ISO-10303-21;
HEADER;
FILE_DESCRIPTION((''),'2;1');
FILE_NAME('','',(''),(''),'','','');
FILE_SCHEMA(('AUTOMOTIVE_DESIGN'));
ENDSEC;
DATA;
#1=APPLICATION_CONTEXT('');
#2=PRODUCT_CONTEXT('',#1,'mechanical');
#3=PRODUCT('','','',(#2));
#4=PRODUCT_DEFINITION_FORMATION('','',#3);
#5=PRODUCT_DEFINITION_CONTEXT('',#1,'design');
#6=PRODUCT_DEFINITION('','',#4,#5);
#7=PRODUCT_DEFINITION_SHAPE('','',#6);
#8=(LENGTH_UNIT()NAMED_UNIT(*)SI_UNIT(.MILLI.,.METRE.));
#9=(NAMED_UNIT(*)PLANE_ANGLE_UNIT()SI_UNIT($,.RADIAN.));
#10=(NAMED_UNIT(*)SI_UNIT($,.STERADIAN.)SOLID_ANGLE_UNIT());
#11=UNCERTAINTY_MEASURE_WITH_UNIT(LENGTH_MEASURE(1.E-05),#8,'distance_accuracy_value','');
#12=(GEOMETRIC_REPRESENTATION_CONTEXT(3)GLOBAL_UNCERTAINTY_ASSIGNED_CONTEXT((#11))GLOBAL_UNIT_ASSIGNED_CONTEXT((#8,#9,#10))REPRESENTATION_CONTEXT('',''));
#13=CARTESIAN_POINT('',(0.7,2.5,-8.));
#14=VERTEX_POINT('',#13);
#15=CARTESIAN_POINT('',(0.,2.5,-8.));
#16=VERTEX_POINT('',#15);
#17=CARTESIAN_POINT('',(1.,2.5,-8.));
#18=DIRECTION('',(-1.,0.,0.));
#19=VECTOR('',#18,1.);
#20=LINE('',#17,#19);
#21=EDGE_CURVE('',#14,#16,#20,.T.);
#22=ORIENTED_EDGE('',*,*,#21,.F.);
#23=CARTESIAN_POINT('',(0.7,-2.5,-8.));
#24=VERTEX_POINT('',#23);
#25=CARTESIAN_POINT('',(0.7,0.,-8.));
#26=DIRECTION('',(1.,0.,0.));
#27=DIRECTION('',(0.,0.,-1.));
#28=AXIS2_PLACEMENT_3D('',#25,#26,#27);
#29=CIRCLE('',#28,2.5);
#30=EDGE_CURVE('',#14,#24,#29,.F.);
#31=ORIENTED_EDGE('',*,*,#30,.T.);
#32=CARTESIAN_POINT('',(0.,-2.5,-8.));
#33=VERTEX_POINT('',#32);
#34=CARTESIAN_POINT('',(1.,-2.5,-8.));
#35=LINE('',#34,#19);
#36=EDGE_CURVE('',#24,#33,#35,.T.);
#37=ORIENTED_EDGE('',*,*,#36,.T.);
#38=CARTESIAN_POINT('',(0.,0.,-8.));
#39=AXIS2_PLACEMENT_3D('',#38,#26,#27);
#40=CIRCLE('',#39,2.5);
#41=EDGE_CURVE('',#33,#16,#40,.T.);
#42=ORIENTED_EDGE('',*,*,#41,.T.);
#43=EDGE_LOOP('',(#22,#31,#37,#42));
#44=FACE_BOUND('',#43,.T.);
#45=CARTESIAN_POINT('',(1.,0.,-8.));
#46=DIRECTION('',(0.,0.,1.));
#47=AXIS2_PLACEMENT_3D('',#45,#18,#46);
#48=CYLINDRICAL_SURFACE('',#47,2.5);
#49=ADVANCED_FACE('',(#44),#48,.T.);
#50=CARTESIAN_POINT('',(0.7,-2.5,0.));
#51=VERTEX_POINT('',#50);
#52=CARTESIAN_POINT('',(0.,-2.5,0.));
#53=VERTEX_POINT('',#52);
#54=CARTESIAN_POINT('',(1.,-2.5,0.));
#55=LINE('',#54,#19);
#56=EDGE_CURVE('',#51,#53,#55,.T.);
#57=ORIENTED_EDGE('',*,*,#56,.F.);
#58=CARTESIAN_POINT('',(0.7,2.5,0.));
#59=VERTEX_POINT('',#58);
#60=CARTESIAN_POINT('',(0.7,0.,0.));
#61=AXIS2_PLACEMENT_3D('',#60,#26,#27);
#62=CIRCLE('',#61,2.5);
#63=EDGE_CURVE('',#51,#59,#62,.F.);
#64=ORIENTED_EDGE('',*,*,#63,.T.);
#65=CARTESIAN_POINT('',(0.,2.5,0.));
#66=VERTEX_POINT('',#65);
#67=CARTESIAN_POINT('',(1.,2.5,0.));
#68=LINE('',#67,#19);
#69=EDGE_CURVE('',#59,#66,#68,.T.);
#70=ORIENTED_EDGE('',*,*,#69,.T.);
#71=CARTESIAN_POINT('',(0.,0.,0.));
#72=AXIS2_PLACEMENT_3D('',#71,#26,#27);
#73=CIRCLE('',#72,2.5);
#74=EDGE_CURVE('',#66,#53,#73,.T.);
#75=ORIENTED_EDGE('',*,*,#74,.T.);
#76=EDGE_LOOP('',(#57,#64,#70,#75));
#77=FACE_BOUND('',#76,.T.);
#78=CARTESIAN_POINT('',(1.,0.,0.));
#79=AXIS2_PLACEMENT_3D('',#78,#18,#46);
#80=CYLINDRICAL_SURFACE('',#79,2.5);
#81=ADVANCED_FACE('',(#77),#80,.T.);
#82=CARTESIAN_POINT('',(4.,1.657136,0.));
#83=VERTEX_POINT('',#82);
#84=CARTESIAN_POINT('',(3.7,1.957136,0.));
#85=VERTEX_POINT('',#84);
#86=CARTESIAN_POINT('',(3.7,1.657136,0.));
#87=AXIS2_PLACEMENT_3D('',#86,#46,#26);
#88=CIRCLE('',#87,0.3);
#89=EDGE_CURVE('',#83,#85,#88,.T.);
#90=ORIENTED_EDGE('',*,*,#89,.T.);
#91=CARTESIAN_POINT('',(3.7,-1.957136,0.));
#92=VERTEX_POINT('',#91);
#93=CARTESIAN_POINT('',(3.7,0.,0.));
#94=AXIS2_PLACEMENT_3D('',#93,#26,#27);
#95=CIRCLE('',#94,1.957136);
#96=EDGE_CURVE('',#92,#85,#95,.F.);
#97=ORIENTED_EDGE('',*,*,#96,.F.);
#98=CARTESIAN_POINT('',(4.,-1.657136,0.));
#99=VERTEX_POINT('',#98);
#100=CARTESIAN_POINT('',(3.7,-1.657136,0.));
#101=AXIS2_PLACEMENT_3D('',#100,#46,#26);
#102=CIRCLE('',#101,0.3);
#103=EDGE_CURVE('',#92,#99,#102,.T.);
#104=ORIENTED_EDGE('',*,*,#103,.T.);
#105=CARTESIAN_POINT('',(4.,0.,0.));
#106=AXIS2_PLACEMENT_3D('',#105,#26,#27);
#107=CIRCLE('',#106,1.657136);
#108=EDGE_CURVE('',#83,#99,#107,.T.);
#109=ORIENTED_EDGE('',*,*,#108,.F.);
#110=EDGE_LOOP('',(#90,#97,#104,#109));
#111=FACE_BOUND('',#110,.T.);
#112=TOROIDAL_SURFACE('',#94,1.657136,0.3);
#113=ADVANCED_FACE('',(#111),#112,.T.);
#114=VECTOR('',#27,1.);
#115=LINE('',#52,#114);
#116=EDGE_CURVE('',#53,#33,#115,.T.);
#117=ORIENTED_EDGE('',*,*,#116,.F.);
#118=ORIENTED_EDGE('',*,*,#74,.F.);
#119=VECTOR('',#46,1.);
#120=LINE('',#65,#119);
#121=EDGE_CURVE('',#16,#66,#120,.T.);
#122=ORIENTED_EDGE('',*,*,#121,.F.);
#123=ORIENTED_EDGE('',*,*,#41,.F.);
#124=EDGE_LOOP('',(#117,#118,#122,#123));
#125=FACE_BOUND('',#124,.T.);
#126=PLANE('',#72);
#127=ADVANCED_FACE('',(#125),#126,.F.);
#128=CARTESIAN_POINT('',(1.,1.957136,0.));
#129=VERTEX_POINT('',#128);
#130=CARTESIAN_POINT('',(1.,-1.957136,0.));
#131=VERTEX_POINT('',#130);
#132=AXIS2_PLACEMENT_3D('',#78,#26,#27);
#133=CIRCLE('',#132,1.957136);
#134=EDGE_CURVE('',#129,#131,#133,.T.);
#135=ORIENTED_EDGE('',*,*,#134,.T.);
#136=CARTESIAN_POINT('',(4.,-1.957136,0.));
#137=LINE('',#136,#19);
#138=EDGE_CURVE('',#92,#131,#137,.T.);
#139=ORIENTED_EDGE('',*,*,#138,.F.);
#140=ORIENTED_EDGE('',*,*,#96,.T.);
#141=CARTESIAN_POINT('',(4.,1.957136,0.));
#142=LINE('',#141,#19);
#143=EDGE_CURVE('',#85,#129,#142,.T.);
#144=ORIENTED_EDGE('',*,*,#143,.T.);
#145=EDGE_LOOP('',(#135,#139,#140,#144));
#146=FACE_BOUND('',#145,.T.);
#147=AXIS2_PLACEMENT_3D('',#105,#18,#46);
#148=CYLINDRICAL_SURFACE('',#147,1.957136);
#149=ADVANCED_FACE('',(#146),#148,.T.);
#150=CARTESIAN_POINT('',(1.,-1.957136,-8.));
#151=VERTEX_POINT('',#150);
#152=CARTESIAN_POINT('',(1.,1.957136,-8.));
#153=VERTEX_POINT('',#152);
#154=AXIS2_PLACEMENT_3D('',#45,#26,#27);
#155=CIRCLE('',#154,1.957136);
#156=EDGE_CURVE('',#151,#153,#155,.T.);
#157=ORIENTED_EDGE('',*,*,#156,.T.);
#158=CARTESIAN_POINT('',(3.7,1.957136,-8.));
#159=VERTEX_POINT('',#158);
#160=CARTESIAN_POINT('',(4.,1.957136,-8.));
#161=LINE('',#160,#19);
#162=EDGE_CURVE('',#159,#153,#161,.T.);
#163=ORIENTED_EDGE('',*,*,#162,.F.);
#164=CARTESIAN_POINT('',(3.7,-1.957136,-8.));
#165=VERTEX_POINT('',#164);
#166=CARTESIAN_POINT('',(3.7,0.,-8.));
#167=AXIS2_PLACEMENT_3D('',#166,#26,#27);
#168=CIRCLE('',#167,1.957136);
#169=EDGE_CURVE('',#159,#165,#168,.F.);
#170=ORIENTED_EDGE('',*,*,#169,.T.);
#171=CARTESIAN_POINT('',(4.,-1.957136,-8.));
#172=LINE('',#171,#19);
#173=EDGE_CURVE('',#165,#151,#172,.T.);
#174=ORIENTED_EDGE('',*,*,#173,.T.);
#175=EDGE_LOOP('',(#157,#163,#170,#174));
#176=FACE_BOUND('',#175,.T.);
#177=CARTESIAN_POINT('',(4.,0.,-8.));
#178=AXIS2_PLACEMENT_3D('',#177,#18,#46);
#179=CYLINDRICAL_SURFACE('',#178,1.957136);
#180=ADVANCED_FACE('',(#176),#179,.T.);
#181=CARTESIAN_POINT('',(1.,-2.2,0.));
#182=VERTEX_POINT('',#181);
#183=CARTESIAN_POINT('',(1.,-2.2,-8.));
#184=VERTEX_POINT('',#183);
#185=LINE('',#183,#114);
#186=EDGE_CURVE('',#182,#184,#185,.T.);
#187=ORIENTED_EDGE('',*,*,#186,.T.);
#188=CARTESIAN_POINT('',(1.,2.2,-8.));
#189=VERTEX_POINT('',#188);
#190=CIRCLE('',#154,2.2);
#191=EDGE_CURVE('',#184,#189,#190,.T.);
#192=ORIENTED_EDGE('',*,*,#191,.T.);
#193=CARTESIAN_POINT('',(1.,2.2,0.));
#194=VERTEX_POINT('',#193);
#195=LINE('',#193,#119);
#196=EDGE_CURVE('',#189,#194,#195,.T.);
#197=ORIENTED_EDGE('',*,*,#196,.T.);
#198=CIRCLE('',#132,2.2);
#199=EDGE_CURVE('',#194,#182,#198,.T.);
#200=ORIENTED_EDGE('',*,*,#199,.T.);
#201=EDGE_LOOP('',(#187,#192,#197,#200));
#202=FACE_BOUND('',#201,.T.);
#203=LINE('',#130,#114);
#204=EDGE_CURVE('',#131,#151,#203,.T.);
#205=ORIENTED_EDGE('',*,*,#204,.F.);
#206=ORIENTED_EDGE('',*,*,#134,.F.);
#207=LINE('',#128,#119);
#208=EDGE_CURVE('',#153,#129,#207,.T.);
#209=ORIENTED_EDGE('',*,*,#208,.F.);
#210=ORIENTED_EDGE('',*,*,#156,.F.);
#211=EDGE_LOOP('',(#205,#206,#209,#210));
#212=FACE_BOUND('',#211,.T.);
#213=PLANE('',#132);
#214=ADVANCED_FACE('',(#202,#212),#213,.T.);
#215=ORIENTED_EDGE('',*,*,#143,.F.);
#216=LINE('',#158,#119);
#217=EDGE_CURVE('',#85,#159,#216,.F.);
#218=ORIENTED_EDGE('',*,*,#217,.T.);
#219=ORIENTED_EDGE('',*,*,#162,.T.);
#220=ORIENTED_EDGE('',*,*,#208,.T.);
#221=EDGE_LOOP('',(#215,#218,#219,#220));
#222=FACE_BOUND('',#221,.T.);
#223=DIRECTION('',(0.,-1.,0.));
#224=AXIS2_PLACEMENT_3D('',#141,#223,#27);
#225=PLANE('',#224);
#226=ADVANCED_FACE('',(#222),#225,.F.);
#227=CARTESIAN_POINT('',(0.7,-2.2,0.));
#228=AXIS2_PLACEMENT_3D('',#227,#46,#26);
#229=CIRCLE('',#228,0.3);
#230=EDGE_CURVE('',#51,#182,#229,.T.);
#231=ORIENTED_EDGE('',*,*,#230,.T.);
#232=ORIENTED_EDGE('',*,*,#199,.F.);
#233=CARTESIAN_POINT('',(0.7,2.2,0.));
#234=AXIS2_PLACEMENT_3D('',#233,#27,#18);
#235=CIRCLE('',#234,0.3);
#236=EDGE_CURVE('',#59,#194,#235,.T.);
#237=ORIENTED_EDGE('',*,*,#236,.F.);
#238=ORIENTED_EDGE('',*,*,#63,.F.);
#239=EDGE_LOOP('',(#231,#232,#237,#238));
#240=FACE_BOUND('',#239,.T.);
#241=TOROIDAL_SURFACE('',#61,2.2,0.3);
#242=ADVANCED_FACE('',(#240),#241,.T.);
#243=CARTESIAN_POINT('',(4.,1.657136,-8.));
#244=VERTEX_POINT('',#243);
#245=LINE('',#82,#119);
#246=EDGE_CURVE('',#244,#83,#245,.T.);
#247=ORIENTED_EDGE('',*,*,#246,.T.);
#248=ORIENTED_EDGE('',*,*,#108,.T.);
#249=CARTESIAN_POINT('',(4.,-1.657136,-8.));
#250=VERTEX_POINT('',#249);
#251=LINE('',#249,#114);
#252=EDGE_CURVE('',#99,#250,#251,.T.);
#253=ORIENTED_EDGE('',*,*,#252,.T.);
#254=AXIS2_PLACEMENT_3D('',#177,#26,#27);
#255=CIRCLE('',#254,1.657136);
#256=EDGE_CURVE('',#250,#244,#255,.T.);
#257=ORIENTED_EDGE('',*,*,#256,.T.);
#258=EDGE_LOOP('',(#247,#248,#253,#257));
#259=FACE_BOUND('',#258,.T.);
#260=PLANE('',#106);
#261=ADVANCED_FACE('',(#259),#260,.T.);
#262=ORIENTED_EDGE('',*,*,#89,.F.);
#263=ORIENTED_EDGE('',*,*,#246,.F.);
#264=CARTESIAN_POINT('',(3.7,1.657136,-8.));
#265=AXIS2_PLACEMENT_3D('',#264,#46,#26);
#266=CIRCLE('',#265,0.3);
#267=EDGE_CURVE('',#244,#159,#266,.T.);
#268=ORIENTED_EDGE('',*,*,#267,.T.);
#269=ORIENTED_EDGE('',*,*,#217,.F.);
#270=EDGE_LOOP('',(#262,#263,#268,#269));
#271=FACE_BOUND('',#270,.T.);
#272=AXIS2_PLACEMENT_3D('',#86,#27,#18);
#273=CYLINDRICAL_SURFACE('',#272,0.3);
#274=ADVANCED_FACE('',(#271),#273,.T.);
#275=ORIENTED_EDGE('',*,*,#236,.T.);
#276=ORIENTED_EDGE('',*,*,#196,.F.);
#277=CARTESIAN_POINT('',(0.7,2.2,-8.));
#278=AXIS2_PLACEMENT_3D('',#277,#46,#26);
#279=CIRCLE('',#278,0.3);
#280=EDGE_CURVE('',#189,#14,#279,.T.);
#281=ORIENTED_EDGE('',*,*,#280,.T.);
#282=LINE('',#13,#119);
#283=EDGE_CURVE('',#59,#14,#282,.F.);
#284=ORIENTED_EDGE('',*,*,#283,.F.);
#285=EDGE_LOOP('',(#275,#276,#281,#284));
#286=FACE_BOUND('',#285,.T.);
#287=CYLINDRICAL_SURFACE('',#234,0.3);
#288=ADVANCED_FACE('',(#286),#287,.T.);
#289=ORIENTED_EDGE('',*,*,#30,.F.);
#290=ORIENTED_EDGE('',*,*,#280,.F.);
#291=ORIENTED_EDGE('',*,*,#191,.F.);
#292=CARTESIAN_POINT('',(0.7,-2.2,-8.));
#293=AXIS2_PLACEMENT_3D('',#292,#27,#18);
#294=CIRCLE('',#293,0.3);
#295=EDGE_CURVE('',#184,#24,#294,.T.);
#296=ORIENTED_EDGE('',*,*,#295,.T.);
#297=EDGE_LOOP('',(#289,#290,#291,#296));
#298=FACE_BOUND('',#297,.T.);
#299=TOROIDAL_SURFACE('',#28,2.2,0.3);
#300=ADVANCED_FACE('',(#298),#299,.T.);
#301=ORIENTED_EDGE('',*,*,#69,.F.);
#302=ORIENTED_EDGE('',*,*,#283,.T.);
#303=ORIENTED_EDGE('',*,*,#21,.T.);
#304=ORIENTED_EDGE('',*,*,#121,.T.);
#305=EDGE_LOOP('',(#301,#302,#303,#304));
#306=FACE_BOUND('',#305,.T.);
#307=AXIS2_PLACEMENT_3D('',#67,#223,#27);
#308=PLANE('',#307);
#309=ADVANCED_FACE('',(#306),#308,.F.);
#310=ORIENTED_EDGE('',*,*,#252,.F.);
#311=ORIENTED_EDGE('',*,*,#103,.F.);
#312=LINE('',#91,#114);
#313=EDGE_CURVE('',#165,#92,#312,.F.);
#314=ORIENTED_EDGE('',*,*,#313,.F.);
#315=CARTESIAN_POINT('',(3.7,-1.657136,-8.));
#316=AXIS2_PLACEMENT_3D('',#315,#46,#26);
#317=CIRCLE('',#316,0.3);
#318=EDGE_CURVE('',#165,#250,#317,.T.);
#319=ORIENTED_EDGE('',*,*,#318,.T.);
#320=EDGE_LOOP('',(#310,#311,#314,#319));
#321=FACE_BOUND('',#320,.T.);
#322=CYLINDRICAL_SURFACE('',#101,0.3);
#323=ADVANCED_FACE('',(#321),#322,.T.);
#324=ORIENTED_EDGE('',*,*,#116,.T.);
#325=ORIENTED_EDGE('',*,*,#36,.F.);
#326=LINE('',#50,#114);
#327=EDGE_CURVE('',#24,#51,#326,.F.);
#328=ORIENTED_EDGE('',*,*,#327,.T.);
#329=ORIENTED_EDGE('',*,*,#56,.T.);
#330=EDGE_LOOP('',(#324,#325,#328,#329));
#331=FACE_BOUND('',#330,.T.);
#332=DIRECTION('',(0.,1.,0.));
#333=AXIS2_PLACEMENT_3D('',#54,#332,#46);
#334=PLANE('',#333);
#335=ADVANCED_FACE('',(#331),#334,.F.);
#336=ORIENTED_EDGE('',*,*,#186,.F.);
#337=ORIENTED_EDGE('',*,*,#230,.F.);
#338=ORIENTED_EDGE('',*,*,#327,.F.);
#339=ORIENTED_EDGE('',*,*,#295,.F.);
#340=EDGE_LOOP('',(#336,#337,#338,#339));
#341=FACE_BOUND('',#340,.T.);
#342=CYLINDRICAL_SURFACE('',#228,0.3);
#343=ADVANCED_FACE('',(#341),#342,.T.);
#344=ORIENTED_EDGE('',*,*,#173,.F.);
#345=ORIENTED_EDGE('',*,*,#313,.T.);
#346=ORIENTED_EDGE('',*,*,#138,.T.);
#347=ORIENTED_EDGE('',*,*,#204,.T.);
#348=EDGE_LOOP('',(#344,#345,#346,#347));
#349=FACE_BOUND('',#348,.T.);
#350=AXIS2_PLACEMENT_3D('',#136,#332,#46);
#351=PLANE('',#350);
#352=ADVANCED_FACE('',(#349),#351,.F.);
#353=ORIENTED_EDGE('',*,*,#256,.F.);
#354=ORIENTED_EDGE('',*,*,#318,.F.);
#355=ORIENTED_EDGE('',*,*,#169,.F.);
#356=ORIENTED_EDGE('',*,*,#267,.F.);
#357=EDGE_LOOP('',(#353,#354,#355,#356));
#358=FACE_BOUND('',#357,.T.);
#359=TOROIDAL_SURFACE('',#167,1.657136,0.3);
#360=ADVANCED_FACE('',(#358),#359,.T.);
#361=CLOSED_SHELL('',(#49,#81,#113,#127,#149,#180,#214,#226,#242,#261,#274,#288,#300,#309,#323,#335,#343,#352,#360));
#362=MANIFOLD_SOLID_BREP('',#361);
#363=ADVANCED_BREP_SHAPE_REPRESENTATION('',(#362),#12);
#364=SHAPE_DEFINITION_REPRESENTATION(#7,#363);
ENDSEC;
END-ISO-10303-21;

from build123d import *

# Parameters (mm, degrees)
EXTRUDE_1_DEPTH = 1
EXTRUDE_2_DEPTH = 3
FILLET_1_R      = 0.3


with BuildPart() as part:
    # 草图1 → 凸台-拉伸1 (new body)
    with BuildSketch(Plane(origin=(0, 0, 0), x_dir=(0, 0, -1), z_dir=(1, 0, 0))):
        with BuildLine():
            Line((0, 2.5), (8, 2.5))
            ThreePointArc((8, 2.5), (10.5, 0), (8, -2.5))
            Line((8, -2.5), (0, -2.5))
            ThreePointArc((0, -2.5), (-2.5, 0), (0, 2.5))
        make_face()
    extrude(amount=EXTRUDE_1_DEPTH)

    # 草图2 → 凸台-拉伸2 (add)
    with BuildSketch(Plane(origin=(1, 0, 0), x_dir=(0, 0, -1), z_dir=(1, 0, 0))):
        with BuildLine():
            Line((0, 1.957135809), (8, 1.957135809))
            ThreePointArc((8, 1.957135809), (9.957135809, 0), (8, -1.957135809))
            Line((8, -1.957135809), (0, -1.957135809))
            ThreePointArc((0, -1.957135809), (-1.957135809, 0), (0, 1.957135809))
        make_face()
    extrude(amount=EXTRUDE_2_DEPTH)

    # 圆角1
    fillet_1_edges = [part.edges().sort_by_distance(p)[0] for p in [
        (1, 0, -10.5),
        (1, 2.5, -4),
        (4, 0, 1.957135809),
        (4, -1.957135809, -4),
        (4, 0, -9.957135809),
        (4, 1.957135809, -4),
        (1, 0, 2.5),
        (1, -2.5, -4),
    ]]
    fillet(fillet_1_edges, radius=FILLET_1_R)


solid = part.part
